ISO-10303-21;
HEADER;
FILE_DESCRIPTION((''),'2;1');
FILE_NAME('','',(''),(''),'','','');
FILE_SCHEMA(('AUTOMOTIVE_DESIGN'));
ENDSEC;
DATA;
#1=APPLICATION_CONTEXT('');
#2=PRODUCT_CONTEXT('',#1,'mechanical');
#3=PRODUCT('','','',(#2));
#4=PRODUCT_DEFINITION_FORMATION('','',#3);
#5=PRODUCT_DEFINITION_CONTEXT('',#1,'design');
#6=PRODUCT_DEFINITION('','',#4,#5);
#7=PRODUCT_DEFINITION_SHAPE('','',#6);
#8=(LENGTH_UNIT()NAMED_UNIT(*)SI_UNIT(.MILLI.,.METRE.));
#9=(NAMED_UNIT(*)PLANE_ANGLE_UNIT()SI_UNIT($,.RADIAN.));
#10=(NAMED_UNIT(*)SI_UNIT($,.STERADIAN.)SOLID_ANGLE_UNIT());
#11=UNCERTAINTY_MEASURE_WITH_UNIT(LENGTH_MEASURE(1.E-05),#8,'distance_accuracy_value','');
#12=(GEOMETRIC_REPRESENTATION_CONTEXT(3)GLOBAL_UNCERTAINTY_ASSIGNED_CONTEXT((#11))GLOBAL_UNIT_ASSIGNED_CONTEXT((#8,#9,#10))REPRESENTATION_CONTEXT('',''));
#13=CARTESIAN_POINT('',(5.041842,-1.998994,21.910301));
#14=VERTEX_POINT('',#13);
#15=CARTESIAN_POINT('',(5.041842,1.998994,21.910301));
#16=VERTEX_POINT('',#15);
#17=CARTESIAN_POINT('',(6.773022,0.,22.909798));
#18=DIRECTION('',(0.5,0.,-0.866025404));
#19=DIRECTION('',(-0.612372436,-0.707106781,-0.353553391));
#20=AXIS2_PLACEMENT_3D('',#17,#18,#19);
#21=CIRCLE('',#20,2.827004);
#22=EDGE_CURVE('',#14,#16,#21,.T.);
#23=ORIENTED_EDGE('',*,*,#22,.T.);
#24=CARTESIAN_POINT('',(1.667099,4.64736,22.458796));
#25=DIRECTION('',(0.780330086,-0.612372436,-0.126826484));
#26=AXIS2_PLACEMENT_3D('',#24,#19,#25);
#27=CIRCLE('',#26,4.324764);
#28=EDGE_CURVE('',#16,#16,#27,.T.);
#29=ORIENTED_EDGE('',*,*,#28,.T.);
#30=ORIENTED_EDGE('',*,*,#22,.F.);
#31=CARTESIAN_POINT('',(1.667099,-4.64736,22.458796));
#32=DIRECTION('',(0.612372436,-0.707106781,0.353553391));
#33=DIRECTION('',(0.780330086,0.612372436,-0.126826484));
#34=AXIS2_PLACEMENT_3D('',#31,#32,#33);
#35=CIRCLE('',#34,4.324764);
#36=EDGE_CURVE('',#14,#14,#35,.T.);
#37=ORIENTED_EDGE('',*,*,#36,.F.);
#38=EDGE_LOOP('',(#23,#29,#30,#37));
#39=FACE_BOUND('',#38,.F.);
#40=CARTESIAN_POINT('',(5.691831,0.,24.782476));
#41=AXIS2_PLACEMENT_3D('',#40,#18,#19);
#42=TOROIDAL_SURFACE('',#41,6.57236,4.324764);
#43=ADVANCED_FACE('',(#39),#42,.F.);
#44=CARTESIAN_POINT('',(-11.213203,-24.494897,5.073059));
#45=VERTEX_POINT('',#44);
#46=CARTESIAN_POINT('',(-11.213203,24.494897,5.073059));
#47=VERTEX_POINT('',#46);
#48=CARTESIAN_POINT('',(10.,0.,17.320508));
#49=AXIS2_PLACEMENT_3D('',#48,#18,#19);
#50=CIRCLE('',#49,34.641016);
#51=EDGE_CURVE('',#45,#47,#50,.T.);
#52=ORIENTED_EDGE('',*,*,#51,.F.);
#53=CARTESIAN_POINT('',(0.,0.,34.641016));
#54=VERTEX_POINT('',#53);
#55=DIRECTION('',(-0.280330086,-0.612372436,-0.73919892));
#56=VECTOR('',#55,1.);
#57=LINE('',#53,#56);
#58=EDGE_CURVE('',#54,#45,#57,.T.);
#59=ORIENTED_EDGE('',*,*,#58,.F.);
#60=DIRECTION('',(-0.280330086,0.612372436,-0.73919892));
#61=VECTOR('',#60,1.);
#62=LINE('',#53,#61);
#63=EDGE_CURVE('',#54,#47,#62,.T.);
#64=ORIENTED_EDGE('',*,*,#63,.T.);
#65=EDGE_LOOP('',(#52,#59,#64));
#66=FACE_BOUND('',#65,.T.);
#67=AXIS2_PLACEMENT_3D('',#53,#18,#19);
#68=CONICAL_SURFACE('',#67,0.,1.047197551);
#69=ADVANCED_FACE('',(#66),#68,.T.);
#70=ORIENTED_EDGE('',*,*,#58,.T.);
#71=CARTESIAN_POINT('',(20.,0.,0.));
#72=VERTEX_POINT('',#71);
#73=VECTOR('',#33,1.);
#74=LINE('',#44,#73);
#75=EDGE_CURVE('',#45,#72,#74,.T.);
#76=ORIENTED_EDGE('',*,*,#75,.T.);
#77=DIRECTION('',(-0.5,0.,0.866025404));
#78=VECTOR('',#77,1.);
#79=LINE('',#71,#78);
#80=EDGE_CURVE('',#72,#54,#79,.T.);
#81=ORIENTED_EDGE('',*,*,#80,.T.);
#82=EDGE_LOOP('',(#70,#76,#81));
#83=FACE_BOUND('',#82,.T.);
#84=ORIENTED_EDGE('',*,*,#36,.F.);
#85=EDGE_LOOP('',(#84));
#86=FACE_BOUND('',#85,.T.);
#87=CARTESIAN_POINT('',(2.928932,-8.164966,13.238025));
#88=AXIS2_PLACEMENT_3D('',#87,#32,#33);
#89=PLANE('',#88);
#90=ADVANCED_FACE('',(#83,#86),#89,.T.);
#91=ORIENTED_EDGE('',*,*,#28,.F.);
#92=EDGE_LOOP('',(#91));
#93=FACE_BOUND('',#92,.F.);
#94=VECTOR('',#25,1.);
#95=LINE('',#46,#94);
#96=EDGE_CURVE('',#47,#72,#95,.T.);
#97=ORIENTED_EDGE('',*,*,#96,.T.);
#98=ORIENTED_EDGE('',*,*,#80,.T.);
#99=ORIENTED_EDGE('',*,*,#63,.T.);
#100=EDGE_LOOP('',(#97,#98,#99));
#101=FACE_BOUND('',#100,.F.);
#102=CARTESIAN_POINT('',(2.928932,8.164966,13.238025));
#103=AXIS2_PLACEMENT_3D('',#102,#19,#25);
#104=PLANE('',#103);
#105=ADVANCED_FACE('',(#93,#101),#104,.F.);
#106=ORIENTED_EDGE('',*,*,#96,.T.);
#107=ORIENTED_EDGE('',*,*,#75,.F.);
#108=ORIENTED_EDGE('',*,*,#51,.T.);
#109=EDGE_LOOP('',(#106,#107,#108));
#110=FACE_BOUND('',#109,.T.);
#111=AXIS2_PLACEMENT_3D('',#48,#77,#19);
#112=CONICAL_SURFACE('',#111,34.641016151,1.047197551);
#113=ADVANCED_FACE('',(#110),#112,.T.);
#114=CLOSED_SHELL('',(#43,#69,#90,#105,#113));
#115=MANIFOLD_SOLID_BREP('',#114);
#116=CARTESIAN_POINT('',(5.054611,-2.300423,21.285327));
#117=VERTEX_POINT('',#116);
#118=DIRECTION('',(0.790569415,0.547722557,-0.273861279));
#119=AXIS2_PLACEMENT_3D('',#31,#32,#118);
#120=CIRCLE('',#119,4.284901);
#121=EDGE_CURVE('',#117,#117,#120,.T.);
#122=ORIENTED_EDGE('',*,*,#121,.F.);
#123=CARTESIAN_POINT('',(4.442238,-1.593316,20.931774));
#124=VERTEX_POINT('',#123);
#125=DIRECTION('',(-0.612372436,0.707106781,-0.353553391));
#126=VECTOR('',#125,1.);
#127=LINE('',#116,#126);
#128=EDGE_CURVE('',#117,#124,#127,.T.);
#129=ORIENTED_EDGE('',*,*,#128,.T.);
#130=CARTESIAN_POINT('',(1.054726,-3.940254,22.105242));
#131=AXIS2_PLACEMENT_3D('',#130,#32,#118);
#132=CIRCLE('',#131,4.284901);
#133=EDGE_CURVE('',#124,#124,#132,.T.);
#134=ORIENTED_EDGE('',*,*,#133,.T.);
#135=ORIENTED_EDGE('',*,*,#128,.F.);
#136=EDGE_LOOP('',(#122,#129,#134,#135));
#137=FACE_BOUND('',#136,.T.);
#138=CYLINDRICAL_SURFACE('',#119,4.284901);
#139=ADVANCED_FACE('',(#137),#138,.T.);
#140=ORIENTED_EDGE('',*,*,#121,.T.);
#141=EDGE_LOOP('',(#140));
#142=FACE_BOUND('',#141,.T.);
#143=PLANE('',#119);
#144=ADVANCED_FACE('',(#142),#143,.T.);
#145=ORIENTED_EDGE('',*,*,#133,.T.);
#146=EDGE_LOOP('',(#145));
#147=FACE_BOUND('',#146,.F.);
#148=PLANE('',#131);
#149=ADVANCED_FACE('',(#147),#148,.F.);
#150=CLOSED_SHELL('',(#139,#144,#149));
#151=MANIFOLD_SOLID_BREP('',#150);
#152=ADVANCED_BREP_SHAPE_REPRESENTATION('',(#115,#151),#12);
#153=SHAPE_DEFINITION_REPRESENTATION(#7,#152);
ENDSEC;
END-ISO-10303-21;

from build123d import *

# Parameters (mm, degrees)
F0_R          = 4.3247644879
F1_ANGLE_BACK = 45
F1_ANGLE      = 90
F2_R          = 4.2849013553
F3_DEPTH      = 1


with BuildPart() as f1:
    # F0 (on Front) → F1 (revolve)
    with BuildSketch(Plane.XZ, mode=Mode.PRIVATE) as f1_sk:
        Polygon((0, 0), (20, 0), (0, 34.6410161514), (-20, 0), align=None)
        with Locations((0, 21.496295929)):
            Circle(F0_R, mode=Mode.SUBTRACT)
    revolve(f1_sk.sketch.rotate(Axis((10, 0, 17.3205080757), (0.5, 0, -0.8660254038)), -F1_ANGLE_BACK), axis=Axis((10, 0, 17.3205080757), (0.5, 0, -0.8660254038)), revolution_arc=F1_ANGLE)


with BuildPart() as f3:
    # F2 (on face) → F3 (new body)
    with BuildSketch(Plane(origin=(7.5, -8.6602540378, 4.3301270189), x_dir=(0.790569415, 0.5477225575, -0.2738612788), z_dir=(0.6123724357, -0.7071067812, 0.3535533906))):
        with Locations((-7.3781014538, 18.00939487)):
            Circle(F2_R)
    extrude(amount=-F3_DEPTH)


solid = Compound([f1.part, f3.part])
